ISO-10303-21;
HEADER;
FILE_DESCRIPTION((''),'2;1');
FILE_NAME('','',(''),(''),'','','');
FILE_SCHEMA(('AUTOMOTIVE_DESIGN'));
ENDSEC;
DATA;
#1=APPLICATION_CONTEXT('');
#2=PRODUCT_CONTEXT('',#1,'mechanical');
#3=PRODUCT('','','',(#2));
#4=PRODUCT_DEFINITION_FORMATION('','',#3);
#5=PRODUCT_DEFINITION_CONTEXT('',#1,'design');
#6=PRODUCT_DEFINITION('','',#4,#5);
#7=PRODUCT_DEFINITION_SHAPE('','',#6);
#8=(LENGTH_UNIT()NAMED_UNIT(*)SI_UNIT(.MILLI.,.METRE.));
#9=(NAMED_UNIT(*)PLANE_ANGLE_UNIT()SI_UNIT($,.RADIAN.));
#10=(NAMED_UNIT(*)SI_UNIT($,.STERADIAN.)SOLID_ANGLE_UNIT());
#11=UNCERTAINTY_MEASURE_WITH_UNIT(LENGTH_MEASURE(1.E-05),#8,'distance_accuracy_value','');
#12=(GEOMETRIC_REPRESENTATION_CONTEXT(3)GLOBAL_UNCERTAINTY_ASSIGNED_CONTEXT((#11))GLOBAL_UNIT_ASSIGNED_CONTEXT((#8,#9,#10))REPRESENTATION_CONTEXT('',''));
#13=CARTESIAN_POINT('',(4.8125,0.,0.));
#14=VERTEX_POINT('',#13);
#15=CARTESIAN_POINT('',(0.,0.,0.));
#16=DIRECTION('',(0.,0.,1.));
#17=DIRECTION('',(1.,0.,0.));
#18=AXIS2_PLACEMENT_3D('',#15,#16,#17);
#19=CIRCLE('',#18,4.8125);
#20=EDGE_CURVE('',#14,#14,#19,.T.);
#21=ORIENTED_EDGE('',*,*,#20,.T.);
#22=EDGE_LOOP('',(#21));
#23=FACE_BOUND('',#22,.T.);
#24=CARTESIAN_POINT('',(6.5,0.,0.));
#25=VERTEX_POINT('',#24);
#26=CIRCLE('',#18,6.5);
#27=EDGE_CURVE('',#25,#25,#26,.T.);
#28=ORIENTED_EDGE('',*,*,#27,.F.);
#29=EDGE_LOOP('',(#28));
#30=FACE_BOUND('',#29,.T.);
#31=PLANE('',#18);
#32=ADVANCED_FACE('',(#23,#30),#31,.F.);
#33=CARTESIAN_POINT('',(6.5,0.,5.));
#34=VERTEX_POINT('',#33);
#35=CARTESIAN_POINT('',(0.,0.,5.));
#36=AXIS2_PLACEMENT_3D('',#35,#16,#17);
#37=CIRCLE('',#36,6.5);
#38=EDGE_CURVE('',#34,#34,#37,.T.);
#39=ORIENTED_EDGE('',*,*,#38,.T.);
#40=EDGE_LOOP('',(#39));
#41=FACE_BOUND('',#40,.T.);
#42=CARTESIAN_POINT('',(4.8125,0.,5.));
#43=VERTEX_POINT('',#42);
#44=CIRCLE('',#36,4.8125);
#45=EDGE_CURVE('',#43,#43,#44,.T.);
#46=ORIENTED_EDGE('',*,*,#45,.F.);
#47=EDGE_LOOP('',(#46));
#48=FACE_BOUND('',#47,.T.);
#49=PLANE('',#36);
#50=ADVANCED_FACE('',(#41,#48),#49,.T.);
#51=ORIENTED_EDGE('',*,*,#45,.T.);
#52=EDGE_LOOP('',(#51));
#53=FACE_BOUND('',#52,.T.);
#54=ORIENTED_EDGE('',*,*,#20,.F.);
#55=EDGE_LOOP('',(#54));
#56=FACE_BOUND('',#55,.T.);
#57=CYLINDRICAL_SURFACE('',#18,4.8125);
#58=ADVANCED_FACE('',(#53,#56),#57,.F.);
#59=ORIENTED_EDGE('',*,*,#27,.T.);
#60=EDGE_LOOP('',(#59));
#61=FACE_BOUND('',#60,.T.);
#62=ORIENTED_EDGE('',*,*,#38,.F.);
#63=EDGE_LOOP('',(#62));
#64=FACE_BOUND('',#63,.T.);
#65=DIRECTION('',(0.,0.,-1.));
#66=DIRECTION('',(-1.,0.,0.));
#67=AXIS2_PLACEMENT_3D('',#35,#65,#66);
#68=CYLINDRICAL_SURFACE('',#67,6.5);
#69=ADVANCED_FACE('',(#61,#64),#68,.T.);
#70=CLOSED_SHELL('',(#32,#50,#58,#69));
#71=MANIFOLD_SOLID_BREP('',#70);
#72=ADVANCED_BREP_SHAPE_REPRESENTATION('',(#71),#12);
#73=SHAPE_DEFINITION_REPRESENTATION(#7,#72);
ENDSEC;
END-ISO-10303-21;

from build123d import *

# Parameters (mm, degrees)
SKETCH1_R           = 6.5
BOSS_EXTRUDE1_DEPTH = 5
SKETCH2_R           = 4.8125
CUT_EXTRUDE1_DEPTH  = 5


with BuildPart() as part:
    # Sketch1 → Boss-Extrude1 (new body)
    with BuildSketch(Plane.XY):
        Circle(SKETCH1_R)
    extrude(amount=BOSS_EXTRUDE1_DEPTH)

    # Sketch2 → Cut-Extrude1 (cut)
    with BuildSketch(Plane.XY.offset(5)):
        Circle(SKETCH2_R)
    extrude(amount=-CUT_EXTRUDE1_DEPTH, mode=Mode.SUBTRACT)


solid = part.part
